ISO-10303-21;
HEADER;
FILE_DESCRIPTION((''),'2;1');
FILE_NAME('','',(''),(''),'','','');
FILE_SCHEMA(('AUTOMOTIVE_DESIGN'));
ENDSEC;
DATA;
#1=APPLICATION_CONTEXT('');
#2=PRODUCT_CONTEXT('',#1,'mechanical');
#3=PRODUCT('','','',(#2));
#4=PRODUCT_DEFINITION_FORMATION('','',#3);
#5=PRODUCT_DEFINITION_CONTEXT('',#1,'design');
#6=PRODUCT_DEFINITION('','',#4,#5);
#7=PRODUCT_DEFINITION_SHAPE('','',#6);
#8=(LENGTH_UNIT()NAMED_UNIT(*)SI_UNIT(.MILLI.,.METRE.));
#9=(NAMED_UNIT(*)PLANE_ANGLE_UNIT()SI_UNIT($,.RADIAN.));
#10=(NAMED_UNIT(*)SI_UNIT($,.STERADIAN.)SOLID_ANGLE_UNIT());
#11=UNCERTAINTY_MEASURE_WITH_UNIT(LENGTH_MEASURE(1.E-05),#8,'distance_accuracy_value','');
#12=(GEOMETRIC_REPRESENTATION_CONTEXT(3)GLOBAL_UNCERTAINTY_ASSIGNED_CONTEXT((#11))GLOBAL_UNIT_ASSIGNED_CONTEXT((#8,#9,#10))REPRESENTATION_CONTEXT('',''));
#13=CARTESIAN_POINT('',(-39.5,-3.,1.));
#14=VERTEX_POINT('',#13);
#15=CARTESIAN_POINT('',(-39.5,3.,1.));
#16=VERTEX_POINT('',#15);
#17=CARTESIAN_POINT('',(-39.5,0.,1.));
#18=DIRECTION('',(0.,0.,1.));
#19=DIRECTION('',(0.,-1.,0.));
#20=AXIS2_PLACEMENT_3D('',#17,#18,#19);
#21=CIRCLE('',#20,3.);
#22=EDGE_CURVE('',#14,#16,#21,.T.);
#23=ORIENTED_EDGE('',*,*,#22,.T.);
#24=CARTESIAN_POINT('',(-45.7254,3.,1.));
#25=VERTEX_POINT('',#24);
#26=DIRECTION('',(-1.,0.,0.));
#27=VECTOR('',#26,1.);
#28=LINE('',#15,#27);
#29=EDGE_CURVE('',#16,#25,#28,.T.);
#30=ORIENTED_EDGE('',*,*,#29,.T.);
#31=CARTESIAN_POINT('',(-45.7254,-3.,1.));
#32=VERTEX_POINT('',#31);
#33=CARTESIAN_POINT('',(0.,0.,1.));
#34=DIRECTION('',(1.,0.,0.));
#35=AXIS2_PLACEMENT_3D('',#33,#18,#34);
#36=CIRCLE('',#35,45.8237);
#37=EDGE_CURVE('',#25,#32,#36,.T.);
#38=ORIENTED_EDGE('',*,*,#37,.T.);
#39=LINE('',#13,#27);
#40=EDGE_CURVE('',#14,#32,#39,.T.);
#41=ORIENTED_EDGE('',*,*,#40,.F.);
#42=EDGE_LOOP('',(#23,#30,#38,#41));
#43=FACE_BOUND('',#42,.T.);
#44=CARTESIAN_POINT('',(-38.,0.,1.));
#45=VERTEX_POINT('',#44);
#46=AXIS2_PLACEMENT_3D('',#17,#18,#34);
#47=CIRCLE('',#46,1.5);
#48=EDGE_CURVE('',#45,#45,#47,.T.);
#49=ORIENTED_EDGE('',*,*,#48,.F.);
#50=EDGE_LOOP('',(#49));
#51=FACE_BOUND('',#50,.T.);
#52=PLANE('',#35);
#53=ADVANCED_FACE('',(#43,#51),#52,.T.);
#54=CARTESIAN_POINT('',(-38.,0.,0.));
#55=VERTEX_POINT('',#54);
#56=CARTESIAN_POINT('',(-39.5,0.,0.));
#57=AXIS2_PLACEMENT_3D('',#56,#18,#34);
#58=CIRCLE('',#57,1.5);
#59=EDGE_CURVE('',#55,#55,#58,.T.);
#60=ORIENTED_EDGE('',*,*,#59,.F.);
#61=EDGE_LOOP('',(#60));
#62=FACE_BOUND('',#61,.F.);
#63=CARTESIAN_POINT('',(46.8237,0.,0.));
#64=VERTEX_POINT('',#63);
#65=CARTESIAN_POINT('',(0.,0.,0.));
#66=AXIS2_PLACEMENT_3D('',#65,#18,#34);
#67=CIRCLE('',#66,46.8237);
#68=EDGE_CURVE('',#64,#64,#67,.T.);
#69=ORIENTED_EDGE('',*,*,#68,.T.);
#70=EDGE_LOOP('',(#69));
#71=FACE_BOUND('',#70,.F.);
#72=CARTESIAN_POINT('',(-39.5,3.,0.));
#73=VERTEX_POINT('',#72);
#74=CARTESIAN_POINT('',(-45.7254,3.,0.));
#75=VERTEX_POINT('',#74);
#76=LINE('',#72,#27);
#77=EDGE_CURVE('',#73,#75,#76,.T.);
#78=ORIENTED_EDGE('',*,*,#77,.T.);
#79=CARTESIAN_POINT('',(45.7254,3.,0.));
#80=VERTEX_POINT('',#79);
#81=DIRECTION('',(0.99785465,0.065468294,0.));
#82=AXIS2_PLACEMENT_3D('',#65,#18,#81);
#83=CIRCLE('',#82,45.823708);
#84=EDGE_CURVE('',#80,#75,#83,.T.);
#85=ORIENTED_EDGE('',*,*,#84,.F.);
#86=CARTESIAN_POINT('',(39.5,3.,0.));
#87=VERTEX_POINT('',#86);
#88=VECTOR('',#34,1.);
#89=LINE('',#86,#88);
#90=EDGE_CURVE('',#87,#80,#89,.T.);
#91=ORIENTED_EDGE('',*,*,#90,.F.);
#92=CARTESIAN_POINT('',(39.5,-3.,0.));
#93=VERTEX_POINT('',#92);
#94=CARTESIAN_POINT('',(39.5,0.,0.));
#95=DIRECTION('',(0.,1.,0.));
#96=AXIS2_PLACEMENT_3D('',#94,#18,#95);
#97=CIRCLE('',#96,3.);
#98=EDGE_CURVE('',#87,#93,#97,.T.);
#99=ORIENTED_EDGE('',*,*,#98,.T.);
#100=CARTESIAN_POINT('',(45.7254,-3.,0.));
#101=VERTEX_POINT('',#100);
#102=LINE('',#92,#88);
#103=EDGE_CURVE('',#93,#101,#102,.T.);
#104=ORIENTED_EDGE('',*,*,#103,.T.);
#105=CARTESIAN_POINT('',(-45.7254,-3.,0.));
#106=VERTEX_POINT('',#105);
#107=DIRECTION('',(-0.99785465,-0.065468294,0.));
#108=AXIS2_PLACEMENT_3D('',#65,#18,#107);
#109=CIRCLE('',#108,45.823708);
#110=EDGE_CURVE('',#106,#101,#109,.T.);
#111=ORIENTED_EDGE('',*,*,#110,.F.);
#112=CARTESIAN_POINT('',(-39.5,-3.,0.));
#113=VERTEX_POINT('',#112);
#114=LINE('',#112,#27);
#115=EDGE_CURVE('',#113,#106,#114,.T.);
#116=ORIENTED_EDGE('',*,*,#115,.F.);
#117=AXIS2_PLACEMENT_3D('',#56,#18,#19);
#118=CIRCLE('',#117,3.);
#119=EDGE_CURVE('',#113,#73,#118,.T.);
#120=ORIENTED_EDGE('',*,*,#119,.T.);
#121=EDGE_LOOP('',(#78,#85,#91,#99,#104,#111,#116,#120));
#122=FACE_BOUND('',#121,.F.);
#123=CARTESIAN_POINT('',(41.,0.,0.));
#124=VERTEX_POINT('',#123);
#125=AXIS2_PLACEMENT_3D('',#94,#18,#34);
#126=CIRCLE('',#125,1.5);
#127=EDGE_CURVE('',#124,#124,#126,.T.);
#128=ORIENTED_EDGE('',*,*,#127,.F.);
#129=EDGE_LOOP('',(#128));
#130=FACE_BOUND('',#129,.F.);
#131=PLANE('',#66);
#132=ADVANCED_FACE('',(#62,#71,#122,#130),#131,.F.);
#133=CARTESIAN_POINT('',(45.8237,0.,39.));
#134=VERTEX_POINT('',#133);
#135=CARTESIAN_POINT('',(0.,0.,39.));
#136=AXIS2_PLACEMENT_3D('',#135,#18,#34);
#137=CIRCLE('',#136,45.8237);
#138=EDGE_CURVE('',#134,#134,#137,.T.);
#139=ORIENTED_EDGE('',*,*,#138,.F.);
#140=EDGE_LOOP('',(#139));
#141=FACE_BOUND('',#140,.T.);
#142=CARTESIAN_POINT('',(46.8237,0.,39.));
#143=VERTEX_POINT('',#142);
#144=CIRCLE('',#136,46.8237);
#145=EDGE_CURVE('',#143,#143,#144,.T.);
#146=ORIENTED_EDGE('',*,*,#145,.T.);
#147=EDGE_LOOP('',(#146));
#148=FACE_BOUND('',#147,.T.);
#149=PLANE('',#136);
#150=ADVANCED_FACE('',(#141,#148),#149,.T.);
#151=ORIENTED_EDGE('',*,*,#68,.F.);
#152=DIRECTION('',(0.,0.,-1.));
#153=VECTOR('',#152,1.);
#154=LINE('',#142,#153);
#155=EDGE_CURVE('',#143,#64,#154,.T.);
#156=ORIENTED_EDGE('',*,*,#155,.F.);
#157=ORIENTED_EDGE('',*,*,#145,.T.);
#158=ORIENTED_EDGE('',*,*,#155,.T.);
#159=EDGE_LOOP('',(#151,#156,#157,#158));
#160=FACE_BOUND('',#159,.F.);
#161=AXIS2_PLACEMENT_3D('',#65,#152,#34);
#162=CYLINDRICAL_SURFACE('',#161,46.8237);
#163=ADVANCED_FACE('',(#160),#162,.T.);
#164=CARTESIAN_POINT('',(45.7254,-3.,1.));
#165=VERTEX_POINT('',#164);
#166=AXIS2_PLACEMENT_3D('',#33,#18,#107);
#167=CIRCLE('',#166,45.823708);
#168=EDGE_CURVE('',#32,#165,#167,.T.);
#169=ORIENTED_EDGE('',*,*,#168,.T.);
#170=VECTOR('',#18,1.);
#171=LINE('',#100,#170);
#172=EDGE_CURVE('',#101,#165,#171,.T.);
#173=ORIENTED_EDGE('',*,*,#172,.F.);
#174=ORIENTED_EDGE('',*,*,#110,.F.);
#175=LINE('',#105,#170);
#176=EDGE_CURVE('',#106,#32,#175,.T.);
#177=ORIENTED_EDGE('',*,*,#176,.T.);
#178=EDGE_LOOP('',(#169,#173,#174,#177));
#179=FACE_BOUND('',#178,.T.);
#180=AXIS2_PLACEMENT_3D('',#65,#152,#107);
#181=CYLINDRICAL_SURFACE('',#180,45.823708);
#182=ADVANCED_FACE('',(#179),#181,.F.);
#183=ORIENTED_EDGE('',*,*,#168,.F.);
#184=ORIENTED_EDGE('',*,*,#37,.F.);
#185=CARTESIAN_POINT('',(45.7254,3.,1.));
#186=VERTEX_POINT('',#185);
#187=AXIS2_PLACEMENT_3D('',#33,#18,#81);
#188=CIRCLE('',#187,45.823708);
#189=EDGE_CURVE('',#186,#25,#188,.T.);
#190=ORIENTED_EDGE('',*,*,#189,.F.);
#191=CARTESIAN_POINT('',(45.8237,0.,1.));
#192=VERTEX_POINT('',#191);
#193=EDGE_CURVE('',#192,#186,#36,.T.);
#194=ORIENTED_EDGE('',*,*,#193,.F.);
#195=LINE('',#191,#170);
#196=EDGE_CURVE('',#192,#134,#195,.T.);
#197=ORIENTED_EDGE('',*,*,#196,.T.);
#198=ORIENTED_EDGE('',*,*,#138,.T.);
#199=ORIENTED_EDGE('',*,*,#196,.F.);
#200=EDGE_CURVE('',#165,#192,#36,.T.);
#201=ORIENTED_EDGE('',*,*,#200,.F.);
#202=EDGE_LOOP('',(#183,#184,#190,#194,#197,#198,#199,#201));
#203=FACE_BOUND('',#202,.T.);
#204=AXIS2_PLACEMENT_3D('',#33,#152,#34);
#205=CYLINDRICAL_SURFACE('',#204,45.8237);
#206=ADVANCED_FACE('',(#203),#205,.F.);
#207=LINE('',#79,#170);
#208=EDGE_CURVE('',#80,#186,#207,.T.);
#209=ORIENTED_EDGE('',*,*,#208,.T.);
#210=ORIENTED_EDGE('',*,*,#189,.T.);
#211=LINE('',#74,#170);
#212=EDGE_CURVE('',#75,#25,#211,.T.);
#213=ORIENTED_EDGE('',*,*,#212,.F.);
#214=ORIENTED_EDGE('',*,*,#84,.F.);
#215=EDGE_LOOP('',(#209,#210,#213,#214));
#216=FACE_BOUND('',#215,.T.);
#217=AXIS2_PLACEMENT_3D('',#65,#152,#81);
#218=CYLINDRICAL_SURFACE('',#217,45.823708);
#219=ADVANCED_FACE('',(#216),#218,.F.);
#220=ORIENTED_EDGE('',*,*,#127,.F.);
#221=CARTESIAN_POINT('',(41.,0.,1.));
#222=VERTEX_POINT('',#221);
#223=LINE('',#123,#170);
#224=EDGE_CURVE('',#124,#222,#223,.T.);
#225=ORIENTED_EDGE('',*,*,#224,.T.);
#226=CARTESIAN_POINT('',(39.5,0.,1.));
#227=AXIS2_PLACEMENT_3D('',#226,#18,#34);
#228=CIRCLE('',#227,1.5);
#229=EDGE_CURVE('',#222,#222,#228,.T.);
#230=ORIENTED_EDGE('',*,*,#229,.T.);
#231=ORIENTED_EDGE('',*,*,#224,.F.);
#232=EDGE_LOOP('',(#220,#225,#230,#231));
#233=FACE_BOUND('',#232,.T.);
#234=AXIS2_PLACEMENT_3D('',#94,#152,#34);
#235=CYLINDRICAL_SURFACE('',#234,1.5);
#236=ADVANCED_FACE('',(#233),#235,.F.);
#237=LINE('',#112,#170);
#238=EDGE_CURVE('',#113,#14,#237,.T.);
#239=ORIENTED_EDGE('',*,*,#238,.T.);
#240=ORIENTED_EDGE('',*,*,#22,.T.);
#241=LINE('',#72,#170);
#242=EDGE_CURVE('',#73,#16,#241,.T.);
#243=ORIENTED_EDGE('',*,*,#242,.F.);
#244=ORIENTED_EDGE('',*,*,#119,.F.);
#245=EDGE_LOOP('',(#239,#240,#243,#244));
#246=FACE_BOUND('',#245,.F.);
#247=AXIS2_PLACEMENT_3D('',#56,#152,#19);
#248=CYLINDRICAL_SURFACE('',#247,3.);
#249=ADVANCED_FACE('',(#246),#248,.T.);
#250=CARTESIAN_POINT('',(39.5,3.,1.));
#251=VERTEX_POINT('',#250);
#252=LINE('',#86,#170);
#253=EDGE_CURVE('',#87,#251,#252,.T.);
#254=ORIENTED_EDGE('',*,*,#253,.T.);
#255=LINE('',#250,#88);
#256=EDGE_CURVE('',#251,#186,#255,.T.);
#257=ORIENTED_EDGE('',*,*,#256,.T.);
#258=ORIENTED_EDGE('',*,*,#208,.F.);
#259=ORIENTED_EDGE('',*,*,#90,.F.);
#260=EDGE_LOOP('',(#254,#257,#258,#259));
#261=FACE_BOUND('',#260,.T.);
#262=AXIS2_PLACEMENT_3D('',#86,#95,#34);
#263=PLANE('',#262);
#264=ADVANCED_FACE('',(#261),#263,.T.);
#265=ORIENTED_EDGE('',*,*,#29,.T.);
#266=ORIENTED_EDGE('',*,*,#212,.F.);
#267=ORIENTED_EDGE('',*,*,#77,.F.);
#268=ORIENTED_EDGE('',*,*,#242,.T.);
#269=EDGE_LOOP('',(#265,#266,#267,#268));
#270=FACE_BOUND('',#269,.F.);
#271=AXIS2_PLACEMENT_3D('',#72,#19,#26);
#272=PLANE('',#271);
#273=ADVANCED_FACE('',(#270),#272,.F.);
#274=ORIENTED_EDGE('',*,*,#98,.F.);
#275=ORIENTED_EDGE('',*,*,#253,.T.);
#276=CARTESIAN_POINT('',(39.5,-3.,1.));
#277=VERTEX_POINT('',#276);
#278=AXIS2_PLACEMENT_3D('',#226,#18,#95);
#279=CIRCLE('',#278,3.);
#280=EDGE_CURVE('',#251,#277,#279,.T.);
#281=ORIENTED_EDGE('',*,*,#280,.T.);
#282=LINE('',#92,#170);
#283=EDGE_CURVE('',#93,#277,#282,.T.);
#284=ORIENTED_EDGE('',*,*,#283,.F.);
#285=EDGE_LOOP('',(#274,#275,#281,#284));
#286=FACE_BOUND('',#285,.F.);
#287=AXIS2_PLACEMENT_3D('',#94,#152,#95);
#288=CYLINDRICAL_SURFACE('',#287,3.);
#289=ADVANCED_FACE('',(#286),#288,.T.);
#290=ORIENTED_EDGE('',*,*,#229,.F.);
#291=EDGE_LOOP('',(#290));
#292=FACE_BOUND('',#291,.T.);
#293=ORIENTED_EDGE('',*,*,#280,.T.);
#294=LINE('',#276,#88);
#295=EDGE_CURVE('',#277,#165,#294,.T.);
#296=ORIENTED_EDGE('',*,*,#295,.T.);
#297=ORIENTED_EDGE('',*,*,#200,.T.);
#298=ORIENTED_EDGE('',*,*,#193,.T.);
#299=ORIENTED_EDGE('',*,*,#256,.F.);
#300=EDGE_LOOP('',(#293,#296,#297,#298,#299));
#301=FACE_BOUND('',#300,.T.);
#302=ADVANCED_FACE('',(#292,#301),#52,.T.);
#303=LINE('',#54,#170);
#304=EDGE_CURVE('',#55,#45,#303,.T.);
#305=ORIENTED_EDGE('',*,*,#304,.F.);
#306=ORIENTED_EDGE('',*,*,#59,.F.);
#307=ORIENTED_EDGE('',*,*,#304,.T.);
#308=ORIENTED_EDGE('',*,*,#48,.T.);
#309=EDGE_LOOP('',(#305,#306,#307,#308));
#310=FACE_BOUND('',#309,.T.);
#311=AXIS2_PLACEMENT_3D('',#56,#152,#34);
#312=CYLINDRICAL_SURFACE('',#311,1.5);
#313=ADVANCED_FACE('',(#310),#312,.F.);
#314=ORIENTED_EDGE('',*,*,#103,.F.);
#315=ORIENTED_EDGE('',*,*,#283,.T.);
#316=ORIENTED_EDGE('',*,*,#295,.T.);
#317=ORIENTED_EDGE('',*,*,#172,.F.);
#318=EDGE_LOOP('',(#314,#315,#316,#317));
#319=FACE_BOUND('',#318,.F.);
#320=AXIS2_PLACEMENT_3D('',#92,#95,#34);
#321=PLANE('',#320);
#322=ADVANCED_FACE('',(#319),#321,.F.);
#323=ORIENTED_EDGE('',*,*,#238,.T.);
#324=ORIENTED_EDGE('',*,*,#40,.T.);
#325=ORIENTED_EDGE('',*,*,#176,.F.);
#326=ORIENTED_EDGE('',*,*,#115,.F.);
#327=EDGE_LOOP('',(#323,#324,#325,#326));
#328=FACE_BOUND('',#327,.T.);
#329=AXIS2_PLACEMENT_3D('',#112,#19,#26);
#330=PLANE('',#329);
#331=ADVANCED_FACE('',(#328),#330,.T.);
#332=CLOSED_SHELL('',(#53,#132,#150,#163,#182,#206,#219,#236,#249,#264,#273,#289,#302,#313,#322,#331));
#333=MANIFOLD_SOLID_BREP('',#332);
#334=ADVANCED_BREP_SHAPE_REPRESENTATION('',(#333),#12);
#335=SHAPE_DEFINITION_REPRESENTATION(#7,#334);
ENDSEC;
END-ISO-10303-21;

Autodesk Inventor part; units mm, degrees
ref_plane "YZ Plane" through (0, 0, 0) normal (1, 0, 0) x (0, 1, 0)
ref_plane "XZ Plane" through (0, 0, 0) normal (0, 1, 0) x (-1, 0, 0)
ref_plane "XY Plane" through (0, 0, 0) normal (0, 0, 1) x (1, 0, 0)
sketch "Sketch1" plane through (0, 0, 0) normal (0, 0, 1) x (1, 0, 0)
  circle A0 centre (0, 0) radius 46.8237
  circle A1 centre (-39.5, 0) radius 1.5
  arc A2 (-39.5, -3) -> (-39.5, 3) centre (-39.5, 0) ccw
  line L0 (-39.5, -3) -> (-45.7254, -3)
  line L1 (-39.5, 3) -> (-45.7254, 3)
  circle A3 centre (39.5, 0) radius 1.5
  arc A4 (39.5, 3) -> (39.5, -3) centre (39.5, 0) ccw
  line L2 (39.5, 3) -> (45.7254, 3)
  line L3 (39.5, -3) -> (45.7254, -3)
  arc A5 (-45.7254, -3) -> (45.7254, -3) centre (0, 0) ccw
  arc A6 (45.7254, 3) -> (-45.7254, 3) centre (0, 0) ccw
  point P0 (0, 0)
extrude "Extrusion1" add sketch "Sketch1" along normal blind 1
sketch "Sketch2" plane through (0, 0, 1) normal (0, 0, 1) x (1, 0, 0)
  circle A0 centre (0, 0) radius 46.8237 projected
  circle A1 centre (0, 0) radius 45.8237
  point P0 (0, 0)
  dimension "d5" = 1
extrude "Extrusion2" add sketch "Sketch2" along normal blind 38
properties part number "frame5"
